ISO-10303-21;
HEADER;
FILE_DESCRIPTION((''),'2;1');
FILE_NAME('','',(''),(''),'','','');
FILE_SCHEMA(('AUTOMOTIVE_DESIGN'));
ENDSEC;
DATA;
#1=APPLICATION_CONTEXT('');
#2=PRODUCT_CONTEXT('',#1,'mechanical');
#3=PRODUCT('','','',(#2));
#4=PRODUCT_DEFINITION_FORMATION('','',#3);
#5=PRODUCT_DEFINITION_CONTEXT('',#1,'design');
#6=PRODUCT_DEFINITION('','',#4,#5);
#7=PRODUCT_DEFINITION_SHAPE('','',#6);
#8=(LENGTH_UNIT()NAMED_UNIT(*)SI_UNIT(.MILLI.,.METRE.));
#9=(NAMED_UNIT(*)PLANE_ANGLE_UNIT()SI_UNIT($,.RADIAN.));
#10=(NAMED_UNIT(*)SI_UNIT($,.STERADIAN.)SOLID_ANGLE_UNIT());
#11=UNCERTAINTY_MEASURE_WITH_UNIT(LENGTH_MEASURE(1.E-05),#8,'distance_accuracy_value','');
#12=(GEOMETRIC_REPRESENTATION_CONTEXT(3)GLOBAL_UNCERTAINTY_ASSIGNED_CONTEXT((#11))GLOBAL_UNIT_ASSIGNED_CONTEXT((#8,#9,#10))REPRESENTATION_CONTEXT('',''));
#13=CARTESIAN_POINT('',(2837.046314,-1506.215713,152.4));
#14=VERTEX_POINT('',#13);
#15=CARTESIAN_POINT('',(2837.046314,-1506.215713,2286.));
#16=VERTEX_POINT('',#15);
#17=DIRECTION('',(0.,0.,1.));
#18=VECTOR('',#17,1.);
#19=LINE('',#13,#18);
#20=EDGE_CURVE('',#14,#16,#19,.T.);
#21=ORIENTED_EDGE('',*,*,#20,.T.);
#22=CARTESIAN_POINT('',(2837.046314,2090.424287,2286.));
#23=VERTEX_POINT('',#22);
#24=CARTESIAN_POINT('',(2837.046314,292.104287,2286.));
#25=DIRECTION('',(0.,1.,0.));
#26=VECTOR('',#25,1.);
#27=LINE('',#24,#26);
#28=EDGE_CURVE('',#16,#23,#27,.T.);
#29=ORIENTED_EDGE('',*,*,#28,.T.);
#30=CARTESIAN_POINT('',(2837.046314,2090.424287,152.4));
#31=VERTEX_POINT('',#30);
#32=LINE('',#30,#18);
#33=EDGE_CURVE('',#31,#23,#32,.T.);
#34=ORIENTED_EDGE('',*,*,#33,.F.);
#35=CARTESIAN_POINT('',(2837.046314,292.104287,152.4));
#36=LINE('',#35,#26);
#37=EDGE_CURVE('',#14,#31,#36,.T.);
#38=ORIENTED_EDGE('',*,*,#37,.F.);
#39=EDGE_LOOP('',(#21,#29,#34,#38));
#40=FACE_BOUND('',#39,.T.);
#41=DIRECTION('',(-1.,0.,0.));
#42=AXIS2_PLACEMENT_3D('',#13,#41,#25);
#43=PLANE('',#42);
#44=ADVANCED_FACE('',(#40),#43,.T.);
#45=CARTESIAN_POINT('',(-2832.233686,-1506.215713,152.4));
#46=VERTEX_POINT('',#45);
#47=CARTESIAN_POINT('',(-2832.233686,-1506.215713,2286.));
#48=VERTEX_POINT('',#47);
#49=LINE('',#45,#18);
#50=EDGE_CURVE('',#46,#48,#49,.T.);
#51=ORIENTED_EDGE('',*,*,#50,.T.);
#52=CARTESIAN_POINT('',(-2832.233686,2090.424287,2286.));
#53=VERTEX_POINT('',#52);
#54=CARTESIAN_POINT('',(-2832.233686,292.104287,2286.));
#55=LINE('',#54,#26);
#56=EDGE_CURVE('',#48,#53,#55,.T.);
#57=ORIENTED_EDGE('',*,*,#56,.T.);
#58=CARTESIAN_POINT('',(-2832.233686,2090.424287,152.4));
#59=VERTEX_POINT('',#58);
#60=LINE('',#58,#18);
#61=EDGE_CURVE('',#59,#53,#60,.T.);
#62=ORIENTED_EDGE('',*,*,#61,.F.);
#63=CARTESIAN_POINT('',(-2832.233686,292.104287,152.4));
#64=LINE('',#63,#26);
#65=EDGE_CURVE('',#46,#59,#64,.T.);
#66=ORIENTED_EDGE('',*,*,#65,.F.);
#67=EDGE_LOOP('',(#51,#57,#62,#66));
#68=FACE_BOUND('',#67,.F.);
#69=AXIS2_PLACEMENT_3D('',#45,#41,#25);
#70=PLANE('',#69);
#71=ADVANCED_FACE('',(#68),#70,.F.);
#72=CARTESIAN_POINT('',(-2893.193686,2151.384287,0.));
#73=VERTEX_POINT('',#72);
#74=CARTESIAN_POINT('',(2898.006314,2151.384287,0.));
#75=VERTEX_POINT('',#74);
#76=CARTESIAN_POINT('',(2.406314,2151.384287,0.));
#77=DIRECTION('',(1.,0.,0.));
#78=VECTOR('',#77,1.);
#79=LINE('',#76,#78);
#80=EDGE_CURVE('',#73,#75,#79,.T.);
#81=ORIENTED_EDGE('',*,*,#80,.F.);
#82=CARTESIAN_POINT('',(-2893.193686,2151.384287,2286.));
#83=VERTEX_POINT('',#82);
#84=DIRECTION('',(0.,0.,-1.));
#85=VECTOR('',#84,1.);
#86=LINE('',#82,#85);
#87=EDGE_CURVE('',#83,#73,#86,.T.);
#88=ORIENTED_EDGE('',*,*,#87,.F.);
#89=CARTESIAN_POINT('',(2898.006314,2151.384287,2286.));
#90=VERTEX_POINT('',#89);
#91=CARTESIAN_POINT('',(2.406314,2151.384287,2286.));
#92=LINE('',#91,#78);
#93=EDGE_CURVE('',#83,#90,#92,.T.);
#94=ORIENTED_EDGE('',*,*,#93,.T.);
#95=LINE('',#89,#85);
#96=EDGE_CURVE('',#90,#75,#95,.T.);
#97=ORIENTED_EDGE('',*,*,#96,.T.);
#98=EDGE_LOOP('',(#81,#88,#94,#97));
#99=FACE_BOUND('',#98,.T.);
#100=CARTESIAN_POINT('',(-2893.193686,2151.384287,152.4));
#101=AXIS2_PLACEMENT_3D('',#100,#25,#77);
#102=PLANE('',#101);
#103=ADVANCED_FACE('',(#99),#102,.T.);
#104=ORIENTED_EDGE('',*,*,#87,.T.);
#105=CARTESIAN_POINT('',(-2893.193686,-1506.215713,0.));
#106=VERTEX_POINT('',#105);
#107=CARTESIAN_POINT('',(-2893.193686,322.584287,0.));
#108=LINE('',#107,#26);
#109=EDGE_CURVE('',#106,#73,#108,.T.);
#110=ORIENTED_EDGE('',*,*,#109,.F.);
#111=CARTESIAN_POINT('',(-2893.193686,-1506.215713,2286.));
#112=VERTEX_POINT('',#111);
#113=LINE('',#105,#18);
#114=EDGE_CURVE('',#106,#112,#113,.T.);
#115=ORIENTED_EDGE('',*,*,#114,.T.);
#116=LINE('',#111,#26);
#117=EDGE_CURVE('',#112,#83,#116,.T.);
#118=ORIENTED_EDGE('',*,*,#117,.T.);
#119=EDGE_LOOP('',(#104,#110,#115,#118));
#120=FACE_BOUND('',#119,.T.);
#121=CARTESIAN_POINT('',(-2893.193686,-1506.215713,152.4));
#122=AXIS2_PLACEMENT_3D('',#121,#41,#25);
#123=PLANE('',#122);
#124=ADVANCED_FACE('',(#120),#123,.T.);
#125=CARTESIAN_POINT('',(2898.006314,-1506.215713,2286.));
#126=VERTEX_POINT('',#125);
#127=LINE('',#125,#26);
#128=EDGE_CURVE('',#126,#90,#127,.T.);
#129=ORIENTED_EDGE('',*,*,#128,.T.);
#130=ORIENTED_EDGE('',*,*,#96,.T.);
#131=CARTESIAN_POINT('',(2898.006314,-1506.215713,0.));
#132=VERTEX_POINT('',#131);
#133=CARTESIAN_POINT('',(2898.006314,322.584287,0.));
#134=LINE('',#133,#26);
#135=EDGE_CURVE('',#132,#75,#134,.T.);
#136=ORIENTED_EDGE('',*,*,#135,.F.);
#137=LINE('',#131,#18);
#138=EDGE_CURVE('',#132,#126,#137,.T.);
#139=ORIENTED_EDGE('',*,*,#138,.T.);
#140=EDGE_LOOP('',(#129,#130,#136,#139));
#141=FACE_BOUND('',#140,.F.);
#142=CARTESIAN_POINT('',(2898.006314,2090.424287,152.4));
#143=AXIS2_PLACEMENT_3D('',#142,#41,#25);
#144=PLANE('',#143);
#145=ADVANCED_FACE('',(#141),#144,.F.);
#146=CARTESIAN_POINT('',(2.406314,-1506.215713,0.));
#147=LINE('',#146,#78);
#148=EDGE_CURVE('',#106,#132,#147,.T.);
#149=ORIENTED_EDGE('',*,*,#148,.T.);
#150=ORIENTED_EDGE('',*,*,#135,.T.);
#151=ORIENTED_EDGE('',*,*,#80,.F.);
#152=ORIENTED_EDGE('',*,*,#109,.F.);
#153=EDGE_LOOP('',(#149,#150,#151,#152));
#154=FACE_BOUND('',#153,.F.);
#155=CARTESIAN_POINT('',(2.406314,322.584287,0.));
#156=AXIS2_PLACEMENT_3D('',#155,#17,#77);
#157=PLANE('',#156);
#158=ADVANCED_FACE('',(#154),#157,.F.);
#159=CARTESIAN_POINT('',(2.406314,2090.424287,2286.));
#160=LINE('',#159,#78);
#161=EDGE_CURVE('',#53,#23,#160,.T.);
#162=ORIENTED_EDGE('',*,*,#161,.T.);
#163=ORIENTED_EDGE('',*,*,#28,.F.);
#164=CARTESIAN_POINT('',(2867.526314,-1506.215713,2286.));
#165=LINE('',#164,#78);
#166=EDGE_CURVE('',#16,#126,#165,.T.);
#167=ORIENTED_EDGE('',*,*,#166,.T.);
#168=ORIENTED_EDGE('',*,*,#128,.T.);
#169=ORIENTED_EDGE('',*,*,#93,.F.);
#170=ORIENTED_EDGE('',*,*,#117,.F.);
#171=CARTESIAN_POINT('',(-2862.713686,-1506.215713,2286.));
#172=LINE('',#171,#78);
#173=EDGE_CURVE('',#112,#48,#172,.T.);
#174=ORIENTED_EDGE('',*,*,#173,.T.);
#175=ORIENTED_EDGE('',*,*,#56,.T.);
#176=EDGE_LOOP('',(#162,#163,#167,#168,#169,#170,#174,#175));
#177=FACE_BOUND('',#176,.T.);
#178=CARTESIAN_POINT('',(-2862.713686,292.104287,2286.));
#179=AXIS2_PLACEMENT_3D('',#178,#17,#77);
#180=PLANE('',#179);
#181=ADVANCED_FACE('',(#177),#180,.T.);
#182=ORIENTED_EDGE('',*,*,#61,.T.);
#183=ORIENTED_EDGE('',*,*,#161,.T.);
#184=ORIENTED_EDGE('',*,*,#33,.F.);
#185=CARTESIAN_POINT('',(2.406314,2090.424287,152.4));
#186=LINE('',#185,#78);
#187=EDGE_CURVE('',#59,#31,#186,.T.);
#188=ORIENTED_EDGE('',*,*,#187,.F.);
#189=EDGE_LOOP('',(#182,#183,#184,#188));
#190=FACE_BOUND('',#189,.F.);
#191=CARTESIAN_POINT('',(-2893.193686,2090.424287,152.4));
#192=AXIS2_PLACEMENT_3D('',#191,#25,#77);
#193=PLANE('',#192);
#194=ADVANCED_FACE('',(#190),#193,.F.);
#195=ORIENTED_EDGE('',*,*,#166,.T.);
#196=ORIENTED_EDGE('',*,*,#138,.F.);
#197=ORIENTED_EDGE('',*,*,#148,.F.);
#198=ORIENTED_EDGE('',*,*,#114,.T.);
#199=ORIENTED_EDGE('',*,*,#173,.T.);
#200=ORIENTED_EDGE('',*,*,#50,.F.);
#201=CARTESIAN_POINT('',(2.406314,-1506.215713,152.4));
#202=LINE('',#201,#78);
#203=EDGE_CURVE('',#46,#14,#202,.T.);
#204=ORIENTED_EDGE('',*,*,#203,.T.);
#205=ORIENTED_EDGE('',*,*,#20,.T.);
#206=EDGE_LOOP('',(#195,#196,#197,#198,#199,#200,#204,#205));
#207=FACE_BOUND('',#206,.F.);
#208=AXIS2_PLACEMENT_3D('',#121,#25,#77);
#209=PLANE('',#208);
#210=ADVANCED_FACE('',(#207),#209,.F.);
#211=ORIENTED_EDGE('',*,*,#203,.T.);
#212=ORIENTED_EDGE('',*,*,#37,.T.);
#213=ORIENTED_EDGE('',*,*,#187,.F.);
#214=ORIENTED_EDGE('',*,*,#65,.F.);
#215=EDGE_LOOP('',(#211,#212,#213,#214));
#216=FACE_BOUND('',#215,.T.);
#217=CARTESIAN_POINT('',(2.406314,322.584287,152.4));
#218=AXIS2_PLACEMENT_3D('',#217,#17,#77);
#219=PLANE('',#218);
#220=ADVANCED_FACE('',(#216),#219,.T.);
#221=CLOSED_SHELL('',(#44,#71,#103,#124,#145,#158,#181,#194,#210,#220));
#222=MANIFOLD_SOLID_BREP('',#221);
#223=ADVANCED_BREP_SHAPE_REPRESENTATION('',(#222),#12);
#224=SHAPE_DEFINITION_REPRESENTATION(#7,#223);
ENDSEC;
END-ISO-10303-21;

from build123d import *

# Parameters (mm, degrees)
F0_W     = 5791.2
F0_H     = 3657.6
F1_DEPTH = 152.4
F2_W     = 5791.2
F2_H     = 60.96
F3_DEPTH = 2133.6
F4_W     = 60.96
F4_H     = 3596.64
F5_DEPTH = 2133.6


with BuildPart() as f1:
    # F0 (on Top) → F1 (new body)
    with BuildSketch(Plane.XY):
        with Locations((2.406314, 322.584287)):
            Rectangle(F0_W, F0_H)
    extrude(amount=F1_DEPTH)

    # F2 (on face) → F3 (join)
    with BuildSketch(Plane.XY.offset(152.4)):
        with Locations((2.406314, 2120.904287)):
            Rectangle(F2_W, F2_H)
    extrude(amount=F3_DEPTH)

    # F4 (on face) → F5 (join)
    with BuildSketch(Plane.XY.offset(152.4)):
        with Locations((-2862.713686, 292.104287)):
            Rectangle(F4_W, F4_H)
        with Locations((2867.526314, 292.104287)):
            Rectangle(F4_W, F4_H)
    extrude(amount=F5_DEPTH)


solid = f1.part
